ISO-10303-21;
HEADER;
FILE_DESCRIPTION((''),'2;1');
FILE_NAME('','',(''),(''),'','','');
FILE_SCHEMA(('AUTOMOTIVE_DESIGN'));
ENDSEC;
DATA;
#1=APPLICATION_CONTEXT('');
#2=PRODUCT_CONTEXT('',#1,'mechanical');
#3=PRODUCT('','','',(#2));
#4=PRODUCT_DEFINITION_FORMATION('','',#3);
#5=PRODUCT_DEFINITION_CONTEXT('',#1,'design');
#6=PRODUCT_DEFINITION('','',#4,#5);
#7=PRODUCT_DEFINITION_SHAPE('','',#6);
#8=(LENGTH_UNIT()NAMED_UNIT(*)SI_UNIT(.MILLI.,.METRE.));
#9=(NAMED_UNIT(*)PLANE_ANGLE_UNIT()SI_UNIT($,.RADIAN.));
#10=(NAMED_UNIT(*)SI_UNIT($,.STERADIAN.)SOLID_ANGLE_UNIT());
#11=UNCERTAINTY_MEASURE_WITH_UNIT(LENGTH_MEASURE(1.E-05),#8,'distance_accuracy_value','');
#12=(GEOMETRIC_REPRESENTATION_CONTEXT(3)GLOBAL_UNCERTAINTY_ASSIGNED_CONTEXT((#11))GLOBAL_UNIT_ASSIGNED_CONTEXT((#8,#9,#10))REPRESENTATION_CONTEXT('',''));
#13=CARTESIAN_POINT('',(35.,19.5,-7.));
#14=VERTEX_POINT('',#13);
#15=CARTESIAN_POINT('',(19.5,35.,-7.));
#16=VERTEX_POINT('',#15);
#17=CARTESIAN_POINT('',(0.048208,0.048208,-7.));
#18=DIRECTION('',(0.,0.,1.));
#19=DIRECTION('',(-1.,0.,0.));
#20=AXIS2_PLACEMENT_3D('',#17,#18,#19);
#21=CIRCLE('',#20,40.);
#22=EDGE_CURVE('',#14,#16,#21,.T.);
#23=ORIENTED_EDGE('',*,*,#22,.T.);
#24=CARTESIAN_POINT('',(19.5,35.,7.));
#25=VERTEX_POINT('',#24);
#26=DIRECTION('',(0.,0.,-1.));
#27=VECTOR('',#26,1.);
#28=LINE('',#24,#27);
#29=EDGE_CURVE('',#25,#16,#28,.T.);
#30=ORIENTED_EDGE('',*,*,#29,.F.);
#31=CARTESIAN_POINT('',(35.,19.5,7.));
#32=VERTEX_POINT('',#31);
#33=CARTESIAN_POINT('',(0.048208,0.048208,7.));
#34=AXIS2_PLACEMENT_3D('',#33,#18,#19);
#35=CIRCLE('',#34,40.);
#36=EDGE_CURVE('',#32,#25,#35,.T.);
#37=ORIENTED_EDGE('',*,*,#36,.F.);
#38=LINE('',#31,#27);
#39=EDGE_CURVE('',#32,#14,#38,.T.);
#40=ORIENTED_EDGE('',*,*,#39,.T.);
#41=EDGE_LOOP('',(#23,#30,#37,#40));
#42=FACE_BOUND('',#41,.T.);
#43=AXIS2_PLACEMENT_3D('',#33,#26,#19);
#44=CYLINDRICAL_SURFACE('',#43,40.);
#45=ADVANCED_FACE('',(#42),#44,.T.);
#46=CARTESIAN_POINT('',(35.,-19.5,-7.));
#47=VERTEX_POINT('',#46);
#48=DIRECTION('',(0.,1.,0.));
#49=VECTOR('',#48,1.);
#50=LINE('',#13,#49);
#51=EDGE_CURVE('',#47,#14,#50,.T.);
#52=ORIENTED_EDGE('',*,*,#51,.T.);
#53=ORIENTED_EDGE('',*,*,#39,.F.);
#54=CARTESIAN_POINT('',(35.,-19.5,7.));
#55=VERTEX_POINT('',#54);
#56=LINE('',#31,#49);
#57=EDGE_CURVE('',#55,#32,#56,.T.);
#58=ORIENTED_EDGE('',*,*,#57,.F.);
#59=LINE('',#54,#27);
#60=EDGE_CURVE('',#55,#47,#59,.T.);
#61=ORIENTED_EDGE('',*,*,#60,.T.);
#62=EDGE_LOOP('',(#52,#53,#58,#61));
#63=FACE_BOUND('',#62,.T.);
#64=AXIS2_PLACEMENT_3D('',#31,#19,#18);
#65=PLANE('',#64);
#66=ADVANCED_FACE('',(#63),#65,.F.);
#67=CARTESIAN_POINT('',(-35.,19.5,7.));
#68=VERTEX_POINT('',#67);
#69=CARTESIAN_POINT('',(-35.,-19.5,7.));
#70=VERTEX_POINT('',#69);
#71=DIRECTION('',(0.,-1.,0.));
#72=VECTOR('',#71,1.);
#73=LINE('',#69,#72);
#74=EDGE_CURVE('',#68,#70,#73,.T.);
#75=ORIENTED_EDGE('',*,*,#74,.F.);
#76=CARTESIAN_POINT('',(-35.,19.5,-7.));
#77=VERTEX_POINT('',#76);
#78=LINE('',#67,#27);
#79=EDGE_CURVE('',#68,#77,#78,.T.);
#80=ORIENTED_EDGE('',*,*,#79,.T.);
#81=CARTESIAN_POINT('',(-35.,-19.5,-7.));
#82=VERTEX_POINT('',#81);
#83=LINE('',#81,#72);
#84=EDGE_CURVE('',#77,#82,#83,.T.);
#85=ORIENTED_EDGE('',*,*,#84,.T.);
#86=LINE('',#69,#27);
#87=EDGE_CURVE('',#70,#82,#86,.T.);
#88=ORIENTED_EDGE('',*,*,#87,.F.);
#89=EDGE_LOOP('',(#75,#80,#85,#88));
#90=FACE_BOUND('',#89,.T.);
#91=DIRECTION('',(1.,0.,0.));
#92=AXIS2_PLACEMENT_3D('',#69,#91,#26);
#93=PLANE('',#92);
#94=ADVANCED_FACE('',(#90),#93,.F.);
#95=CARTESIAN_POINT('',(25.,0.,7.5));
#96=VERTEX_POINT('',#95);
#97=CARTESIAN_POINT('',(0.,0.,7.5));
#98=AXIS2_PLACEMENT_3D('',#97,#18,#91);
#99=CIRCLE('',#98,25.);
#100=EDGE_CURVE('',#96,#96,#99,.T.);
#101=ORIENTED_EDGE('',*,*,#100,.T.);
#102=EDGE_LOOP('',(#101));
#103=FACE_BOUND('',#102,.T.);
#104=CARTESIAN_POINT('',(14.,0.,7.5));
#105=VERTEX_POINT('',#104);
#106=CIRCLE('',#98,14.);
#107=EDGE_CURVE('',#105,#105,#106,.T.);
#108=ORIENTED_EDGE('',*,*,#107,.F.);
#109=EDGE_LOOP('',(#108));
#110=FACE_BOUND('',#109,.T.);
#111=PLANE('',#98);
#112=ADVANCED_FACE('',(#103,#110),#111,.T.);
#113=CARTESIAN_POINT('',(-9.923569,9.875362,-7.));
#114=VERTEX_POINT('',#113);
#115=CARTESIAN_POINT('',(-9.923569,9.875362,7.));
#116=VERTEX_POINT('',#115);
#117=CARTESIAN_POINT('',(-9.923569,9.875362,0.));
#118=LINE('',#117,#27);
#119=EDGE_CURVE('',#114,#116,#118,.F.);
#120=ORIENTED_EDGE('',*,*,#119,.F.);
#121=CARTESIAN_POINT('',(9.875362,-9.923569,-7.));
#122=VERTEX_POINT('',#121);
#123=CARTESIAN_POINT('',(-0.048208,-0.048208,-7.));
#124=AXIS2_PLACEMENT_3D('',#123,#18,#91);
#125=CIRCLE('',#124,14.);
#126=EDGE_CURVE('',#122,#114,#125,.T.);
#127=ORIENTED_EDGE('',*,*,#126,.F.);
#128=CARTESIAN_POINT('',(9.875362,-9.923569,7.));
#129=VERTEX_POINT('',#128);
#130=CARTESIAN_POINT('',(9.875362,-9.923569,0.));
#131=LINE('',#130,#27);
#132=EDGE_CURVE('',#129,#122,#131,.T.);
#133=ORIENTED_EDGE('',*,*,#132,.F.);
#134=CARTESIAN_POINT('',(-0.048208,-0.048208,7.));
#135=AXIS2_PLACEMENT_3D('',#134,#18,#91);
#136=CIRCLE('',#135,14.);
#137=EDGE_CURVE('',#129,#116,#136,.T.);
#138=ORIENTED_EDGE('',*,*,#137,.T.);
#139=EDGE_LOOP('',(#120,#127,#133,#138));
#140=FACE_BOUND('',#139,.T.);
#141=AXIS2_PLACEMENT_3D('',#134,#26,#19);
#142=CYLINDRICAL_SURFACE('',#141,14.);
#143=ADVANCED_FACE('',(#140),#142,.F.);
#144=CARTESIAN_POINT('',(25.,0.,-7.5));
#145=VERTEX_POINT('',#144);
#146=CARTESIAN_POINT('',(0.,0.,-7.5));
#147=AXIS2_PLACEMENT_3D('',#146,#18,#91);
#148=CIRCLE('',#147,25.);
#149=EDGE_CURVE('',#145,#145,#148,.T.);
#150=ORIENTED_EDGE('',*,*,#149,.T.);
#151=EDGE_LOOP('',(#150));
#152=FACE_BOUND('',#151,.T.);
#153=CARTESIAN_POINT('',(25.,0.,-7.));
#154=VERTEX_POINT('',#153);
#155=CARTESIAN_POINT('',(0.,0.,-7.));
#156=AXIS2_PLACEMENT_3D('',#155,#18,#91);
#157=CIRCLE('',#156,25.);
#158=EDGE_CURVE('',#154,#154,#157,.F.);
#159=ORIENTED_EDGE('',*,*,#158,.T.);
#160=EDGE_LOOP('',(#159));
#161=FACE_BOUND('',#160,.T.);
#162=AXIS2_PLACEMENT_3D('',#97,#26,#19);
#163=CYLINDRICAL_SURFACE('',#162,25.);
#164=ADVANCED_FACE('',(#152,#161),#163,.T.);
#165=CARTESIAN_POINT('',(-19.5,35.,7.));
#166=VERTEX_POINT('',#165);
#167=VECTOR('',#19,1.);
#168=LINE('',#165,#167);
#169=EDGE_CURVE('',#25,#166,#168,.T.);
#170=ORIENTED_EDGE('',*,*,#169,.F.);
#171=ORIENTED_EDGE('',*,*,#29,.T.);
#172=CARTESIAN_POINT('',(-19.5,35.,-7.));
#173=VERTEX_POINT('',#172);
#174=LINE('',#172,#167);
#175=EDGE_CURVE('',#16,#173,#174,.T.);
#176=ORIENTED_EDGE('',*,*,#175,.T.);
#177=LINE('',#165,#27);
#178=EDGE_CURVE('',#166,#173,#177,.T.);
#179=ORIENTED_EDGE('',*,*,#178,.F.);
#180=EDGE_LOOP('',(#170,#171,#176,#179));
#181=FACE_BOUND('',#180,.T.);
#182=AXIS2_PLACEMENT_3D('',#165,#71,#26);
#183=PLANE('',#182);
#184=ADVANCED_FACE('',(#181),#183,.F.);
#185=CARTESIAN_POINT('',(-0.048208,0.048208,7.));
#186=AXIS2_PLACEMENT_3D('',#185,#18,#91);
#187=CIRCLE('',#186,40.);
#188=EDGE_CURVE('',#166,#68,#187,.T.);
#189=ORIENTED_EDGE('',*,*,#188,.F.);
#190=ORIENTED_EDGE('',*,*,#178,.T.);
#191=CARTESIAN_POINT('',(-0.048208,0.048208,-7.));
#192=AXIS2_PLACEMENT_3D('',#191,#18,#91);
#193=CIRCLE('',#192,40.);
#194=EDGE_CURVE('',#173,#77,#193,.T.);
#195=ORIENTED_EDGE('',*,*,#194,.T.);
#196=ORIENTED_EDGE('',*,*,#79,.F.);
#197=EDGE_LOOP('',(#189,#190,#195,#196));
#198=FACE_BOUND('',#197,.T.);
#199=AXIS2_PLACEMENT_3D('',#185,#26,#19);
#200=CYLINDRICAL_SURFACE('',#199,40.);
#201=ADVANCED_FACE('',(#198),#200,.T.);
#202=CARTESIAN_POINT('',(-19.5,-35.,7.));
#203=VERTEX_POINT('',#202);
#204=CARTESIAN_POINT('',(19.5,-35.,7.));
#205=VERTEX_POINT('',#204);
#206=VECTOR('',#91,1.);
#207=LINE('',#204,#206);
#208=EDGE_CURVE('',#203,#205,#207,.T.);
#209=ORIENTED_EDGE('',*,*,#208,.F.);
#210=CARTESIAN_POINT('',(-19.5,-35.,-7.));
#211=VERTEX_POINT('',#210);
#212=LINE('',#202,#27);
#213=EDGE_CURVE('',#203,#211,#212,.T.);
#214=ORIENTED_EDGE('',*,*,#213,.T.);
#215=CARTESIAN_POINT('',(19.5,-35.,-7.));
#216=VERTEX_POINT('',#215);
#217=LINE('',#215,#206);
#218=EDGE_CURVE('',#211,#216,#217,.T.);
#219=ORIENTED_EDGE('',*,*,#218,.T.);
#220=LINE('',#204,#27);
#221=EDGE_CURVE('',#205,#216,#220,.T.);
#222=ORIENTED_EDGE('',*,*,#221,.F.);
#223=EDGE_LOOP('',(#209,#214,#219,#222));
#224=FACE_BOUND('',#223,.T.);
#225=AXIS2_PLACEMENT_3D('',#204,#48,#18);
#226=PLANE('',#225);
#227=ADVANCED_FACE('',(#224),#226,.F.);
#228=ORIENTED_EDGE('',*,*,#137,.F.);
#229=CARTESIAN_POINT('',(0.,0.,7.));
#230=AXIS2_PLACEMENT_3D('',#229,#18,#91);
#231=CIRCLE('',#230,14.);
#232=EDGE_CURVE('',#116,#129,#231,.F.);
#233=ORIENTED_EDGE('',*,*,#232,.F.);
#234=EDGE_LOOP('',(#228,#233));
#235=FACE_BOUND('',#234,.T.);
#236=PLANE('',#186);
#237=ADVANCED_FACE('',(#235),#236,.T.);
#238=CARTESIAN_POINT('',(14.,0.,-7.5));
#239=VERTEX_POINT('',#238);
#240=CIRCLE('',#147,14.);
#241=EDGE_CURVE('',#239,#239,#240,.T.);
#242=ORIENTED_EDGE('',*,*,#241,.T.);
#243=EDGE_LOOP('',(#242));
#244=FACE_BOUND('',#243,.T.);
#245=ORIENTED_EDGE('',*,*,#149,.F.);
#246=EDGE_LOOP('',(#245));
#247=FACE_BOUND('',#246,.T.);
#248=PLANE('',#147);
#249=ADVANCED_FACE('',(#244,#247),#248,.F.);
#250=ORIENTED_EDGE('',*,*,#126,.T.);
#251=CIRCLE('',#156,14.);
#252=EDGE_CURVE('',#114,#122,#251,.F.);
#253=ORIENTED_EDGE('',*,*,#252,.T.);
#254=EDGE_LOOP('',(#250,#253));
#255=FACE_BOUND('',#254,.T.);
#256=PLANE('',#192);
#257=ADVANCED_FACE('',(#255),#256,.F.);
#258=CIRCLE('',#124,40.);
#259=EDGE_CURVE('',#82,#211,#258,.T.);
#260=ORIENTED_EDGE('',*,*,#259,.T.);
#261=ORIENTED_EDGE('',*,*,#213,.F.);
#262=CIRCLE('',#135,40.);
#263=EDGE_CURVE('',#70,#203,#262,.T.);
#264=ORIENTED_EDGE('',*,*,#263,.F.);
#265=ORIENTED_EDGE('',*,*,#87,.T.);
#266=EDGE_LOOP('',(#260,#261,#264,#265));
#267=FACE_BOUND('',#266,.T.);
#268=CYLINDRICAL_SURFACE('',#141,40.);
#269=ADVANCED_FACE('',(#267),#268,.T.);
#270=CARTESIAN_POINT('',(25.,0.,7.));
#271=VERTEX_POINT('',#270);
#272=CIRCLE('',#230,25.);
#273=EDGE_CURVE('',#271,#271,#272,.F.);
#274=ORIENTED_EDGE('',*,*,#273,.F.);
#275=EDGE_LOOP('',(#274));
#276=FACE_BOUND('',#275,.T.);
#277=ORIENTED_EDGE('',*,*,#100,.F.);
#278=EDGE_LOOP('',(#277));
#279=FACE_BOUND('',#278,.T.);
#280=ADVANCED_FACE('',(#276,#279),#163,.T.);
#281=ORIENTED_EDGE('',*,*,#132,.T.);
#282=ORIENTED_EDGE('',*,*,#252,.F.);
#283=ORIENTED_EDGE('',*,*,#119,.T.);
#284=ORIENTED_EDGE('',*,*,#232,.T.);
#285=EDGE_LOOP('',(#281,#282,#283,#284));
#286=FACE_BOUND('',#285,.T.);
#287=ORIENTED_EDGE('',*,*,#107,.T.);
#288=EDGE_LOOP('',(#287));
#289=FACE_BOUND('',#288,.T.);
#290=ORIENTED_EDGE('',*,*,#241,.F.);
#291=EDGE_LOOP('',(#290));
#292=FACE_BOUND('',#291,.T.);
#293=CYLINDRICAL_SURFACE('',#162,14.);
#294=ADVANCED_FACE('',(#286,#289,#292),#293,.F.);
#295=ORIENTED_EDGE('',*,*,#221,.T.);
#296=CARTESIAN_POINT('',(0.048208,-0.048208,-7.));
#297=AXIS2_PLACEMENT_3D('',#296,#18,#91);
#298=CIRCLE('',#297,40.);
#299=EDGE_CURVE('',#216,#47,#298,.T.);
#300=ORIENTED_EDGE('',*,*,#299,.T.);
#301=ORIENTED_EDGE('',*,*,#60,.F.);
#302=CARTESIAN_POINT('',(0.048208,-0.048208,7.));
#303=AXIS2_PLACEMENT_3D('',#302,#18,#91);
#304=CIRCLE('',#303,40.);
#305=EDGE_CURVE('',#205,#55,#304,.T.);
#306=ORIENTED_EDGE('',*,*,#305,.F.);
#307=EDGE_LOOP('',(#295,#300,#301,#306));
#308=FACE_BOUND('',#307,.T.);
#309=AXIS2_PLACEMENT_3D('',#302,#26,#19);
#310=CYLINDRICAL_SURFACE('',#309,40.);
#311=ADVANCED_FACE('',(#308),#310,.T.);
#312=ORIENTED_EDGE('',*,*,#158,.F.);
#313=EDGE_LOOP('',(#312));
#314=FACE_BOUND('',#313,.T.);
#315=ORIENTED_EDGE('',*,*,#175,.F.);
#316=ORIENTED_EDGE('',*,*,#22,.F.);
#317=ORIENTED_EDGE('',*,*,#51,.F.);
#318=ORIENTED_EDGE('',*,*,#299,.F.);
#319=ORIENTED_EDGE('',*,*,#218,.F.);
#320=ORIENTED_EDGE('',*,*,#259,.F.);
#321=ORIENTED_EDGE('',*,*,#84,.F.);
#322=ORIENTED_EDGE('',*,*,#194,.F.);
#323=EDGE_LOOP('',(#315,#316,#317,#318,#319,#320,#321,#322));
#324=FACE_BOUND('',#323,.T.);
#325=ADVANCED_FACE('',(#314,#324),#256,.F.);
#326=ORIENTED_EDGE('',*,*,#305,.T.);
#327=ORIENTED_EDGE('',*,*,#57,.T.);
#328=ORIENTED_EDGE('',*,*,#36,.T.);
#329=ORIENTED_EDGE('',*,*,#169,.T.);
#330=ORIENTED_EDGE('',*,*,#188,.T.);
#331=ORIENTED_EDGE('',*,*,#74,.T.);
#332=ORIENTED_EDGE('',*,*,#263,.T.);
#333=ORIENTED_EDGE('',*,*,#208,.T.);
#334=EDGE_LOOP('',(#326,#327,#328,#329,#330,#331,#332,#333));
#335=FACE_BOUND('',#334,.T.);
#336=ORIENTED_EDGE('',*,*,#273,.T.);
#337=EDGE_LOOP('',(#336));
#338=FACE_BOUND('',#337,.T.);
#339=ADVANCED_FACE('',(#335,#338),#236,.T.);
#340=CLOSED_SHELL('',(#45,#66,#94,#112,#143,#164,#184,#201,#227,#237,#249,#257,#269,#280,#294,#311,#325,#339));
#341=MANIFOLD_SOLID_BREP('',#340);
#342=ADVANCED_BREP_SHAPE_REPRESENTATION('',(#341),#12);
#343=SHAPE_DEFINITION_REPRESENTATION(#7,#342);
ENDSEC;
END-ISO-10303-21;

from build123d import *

# Parameters (mm, degrees)
SKETCH1_R           = 14
BOSS_EXTRUDE1_DEPTH = 7
SKETCH2_R           = 25
SKETCH2_R_2         = 14
BOSS_EXTRUDE2_DEPTH = 7.5


with BuildPart() as part:
    # Sketch1 → Boss-Extrude1 (new body, symmetric)
    with BuildSketch(Plane.XY):
        with BuildLine():
            Line((-19.5, 35), (19.5, 35))
            ThreePointArc((19.5, 35), (28.332479027, 28.332479027), (35, 19.5))
            Line((35, 19.5), (35, -19.5))
            ThreePointArc((35, -19.5), (28.332479027, -28.332479027), (19.5, -35))
            Line((19.5, -35), (-19.5, -35))
            ThreePointArc((-19.5, -35), (-28.332479027, -28.332479027), (-35, -19.5))
            Line((-35, -19.5), (-35, 19.5))
            ThreePointArc((-35, 19.5), (-28.332479027, 28.332479027), (-19.5, 35))
        make_face()
        with Locations((-0.04820778, -0.04820778)):
            Circle(SKETCH1_R, mode=Mode.SUBTRACT)
    extrude(amount=BOSS_EXTRUDE1_DEPTH, both=True)

    # Sketch2 → Boss-Extrude2 (add, symmetric)
    with BuildSketch(Plane.XY):
        Circle(SKETCH2_R)
        Circle(SKETCH2_R_2, mode=Mode.SUBTRACT)
    extrude(amount=BOSS_EXTRUDE2_DEPTH, both=True)


solid = part.part
